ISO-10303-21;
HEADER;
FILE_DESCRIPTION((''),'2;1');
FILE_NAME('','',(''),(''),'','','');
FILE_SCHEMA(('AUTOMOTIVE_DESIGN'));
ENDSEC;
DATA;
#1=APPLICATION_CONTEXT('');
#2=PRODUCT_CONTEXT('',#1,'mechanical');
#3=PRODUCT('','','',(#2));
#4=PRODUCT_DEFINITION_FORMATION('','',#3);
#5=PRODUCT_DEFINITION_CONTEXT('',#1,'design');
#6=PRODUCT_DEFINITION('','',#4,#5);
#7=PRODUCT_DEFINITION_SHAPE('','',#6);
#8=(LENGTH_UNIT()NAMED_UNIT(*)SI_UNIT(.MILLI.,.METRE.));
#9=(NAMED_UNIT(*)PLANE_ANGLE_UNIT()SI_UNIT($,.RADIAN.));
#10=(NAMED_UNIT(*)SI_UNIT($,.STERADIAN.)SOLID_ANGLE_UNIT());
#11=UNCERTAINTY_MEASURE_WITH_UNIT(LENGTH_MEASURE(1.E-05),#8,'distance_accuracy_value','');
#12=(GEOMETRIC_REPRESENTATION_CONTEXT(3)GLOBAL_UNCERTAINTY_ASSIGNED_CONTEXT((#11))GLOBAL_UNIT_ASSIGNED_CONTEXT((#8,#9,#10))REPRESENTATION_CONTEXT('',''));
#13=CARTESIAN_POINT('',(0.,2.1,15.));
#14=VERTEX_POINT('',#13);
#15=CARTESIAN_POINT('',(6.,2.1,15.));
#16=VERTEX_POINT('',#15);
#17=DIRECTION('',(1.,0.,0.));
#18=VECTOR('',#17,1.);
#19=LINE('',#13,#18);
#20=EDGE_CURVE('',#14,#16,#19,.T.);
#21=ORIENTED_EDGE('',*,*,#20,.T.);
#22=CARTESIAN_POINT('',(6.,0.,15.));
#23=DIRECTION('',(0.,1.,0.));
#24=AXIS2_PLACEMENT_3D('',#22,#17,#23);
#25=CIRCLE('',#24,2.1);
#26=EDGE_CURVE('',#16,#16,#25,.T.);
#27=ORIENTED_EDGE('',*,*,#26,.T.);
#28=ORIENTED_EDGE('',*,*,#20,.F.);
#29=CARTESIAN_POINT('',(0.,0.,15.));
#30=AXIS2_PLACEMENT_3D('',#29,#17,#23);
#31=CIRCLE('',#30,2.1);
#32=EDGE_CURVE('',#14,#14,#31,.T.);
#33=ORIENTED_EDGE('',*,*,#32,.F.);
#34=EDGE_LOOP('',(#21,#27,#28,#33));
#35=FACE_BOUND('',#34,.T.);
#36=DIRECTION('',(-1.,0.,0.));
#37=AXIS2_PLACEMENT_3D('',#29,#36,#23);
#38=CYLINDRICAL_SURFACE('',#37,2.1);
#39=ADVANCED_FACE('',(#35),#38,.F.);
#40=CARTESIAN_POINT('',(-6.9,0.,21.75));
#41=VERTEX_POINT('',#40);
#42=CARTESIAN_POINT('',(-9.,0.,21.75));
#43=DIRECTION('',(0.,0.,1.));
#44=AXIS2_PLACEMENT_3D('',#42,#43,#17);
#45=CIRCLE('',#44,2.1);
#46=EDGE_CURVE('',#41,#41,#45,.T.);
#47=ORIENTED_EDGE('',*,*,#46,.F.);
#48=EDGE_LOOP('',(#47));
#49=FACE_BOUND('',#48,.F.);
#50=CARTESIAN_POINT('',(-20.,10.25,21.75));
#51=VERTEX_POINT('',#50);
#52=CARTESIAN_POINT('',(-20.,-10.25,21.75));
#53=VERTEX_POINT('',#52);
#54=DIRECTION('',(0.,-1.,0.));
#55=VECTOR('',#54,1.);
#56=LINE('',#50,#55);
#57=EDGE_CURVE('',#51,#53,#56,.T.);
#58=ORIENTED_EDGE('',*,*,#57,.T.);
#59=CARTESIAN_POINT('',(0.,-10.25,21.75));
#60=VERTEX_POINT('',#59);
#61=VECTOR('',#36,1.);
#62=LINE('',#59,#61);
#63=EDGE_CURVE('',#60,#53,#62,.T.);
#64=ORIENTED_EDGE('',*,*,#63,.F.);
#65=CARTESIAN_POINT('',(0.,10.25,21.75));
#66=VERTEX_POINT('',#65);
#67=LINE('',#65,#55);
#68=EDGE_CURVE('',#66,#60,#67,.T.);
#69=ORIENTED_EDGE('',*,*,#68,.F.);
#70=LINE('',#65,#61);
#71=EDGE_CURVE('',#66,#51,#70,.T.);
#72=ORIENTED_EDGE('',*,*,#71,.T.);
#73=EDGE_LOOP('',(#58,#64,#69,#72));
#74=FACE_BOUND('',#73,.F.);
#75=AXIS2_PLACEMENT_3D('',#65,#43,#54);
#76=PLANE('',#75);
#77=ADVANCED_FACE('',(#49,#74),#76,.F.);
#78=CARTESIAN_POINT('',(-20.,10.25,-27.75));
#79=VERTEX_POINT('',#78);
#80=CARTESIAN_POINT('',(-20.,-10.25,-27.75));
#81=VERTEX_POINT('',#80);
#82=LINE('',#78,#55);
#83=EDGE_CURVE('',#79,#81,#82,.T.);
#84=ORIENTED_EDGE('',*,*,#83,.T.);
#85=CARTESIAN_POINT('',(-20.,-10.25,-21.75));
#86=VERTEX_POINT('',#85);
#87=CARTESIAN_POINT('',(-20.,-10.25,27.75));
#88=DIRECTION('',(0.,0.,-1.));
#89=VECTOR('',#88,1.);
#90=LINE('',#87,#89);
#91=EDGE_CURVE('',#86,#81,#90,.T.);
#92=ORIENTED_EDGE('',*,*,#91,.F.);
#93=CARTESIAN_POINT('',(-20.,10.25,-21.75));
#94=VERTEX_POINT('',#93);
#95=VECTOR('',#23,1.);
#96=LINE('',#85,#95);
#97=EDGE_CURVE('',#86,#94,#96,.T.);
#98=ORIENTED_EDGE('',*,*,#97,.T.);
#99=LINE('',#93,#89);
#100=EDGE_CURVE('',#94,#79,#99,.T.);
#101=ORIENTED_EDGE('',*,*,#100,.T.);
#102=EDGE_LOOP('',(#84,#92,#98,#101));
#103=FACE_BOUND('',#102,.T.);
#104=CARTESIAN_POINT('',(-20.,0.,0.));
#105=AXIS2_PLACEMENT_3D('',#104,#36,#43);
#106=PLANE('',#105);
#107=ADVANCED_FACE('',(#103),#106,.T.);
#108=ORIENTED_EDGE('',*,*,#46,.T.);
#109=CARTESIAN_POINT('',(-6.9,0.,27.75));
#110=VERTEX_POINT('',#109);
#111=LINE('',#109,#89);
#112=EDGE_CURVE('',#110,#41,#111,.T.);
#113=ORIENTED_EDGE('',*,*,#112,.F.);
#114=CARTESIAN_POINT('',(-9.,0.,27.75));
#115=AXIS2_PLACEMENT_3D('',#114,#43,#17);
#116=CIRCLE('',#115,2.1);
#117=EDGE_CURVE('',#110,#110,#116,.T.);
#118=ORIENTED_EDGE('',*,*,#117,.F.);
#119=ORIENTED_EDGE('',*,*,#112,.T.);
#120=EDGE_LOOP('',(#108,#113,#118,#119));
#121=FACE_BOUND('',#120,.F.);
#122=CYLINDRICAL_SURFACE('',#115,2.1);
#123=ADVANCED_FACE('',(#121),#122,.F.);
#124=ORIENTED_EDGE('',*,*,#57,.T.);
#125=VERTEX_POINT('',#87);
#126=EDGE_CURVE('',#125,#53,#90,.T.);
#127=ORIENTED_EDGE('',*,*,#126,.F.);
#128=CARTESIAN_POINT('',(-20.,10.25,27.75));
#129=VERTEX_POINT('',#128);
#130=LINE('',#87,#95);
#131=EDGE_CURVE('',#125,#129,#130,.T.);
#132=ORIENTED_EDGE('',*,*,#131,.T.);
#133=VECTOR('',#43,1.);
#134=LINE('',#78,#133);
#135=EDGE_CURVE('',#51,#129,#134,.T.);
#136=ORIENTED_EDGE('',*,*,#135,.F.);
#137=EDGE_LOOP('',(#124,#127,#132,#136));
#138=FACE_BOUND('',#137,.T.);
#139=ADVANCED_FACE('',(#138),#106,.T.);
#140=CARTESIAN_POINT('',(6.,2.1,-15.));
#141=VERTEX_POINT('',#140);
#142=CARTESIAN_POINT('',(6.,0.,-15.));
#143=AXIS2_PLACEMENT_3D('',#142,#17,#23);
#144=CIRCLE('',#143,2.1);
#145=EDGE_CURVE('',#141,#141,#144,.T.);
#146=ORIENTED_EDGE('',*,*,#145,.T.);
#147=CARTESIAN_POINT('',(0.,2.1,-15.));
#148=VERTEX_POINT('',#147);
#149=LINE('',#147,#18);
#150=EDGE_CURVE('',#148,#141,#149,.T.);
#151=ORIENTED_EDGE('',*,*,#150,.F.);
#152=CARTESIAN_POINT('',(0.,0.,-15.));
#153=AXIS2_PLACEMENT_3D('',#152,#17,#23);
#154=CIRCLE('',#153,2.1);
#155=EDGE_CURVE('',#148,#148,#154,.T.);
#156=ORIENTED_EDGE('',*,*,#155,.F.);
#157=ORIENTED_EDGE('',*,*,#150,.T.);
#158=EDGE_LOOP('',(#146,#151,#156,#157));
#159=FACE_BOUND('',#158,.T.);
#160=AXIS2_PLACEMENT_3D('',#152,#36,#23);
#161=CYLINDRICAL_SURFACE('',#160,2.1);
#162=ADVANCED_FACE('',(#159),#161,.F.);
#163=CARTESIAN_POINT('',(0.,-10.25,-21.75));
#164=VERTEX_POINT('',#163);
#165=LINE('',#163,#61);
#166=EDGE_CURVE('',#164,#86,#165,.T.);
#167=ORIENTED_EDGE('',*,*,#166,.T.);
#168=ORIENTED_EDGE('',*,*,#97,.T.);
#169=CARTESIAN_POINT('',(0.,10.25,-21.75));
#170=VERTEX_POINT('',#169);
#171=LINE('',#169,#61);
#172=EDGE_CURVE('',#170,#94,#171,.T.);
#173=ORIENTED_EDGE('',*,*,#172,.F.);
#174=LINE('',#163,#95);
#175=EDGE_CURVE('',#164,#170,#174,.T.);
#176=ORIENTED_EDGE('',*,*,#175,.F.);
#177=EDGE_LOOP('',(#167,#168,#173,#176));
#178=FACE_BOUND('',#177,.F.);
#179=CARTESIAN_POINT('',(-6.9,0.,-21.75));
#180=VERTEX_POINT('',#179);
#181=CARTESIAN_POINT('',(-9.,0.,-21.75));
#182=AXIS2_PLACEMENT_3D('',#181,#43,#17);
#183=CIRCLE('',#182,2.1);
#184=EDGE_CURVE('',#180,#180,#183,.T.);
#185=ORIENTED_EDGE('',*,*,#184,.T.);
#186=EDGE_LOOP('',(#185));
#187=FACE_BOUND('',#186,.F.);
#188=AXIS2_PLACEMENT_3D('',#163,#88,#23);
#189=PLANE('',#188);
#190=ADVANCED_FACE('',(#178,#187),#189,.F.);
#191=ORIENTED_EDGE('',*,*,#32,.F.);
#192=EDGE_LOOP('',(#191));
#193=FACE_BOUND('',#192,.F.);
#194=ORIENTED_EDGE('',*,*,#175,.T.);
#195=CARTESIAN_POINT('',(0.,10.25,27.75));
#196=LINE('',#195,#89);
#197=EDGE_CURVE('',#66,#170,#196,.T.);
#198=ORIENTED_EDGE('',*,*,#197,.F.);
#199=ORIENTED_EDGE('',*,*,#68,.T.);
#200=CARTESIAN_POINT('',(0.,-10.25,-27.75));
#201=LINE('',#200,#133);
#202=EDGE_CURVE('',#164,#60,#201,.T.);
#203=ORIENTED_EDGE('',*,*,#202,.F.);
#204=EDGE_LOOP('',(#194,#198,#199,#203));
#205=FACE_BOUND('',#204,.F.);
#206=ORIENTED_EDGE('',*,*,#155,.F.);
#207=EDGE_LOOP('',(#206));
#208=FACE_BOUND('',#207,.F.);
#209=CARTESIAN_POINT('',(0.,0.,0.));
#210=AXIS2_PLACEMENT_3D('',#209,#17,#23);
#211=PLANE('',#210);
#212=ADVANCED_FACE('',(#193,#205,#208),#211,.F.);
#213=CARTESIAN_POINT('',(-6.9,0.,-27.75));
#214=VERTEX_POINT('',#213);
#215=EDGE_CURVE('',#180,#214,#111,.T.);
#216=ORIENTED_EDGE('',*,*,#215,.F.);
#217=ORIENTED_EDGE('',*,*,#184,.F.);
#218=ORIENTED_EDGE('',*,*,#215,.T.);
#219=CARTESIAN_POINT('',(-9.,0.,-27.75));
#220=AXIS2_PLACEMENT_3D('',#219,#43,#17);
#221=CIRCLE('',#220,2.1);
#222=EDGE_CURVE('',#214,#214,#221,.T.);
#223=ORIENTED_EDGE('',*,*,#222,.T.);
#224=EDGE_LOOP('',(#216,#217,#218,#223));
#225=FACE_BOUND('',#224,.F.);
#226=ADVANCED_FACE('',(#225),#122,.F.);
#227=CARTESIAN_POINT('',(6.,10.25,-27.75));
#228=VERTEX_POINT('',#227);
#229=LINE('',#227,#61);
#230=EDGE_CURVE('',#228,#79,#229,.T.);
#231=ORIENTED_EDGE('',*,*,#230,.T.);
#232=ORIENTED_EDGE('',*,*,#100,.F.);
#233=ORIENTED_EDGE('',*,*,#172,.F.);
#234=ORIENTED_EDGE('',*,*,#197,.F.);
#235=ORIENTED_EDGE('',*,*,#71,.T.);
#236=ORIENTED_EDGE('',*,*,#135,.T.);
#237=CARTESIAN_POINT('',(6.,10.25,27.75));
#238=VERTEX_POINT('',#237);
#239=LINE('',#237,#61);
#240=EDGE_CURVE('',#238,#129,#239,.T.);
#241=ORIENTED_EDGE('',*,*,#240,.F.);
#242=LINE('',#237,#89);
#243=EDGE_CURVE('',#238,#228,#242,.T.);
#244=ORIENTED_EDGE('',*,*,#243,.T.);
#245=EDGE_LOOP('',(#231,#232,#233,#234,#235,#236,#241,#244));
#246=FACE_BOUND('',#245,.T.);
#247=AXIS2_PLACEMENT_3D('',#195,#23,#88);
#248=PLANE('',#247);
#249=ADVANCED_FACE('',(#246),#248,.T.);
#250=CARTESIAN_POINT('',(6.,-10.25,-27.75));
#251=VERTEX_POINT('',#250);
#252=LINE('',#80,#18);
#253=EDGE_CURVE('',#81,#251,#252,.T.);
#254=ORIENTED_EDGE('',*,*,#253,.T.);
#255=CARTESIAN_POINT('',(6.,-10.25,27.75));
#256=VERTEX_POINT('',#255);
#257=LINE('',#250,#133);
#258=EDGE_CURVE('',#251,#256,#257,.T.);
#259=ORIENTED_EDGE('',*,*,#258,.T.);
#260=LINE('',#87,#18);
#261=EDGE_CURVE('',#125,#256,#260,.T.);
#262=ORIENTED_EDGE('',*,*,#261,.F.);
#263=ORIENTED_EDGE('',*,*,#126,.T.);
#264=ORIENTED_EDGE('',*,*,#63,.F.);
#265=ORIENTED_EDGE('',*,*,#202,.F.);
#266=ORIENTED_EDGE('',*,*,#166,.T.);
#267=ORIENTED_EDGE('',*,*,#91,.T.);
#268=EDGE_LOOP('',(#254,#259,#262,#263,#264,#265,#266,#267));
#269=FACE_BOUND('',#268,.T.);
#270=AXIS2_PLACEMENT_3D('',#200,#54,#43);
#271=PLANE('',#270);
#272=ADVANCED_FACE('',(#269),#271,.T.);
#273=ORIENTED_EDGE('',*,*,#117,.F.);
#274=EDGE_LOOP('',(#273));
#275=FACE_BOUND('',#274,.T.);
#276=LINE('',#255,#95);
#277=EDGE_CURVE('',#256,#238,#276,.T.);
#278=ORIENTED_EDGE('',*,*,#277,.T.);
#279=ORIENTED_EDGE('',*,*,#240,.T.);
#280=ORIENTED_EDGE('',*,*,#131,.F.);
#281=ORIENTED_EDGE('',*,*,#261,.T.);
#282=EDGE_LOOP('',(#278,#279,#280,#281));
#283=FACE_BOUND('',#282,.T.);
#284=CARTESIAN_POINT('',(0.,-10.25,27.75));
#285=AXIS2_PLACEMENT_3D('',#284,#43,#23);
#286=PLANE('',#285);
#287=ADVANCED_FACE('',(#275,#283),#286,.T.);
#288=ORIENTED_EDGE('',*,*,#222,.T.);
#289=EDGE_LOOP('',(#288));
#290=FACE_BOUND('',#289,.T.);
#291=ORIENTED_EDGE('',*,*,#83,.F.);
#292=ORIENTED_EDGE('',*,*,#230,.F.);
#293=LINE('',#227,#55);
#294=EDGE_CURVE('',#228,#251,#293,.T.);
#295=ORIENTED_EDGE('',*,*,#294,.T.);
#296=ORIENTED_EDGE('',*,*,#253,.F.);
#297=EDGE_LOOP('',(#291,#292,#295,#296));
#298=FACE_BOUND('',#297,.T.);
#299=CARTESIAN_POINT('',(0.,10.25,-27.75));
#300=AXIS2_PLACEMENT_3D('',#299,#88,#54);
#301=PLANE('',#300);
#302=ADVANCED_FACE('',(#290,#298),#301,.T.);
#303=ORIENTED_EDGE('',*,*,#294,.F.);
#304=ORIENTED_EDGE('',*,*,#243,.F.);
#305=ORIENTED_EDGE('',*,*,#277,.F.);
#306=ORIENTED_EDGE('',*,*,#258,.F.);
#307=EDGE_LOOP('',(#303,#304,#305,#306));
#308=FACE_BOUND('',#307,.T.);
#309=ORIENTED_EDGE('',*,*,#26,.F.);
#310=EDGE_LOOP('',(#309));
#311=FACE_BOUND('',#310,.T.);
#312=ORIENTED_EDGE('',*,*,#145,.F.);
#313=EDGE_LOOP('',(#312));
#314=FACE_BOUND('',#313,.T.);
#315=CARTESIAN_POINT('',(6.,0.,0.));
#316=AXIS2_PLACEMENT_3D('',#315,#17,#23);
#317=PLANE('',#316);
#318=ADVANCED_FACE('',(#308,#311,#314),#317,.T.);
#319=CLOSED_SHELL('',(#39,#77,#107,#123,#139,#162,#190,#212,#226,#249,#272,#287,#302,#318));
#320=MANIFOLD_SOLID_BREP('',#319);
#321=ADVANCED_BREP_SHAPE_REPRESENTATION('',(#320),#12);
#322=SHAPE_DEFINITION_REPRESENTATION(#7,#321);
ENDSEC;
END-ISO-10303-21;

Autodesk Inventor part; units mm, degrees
ref_plane "YZ Plane" through (0, 0, 0) normal (1, 0, 0) x (0, 1, 0)
ref_plane "XZ Plane" through (0, 0, 0) normal (0, 1, 0) x (-1, 0, 0)
ref_plane "XY Plane" through (0, 0, 0) normal (0, 0, 1) x (1, 0, 0)
sketch "Sketch1" plane through (0, 0, 0) normal (1, 0, 0) x (0, 1, 0)
  line L0 (-10.25, 27.75) -> (10.25, 27.75)
  line L1 (10.25, 27.75) -> (10.25, -27.75)
  line L2 (10.25, -27.75) -> (-10.25, -27.75)
  line L3 (-10.25, -27.75) -> (-10.25, 27.75)
  line L4 (-10.25, 27.75) -> (10.25, -27.75) construction
  line L5 (10.25, 27.75) -> (-10.25, -27.75) construction
  circle A0 centre (0, 15) radius 2.1
  circle A1 centre (0, -15) radius 2.1
  point P0 (0, 0)
  dimension "d0" = 20.5
  dimension "d1" = 55.5
  dimension "d2" = 4.2
  dimension "d3" = 4.2
  dimension "d4" = 30
  dimension "d5" = 10.25
  dimension "d6" = 12.75
  dimension "d7" = 10.25
extrude "Extrusion1" add sketch "Sketch1" along normal blind 6
sketch "Sketch2" plane through (0, 0, 0) normal (-1, 0, 0) x (0, 0, 1)
  line L0 (27.75, -10.25) -> (-27.75, -10.25) projected
  line L1 (-27.75, -10.25) -> (-21.75, -10.25)
  line L2 (-21.75, -10.25) -> (-21.75, 10.25)
  line L3 (-21.75, 10.25) -> (-27.75, 10.25)
  line L4 (-27.75, 10.25) -> (-27.75, -10.25)
  line L5 (-27.75, 10.25) -> (27.75, 10.25) projected
  line L6 (27.75, 10.25) -> (21.75, 10.25)
  line L7 (21.75, 10.25) -> (21.75, -10.25)
  line L8 (21.75, -10.25) -> (27.75, -10.25)
  line L9 (27.75, -10.25) -> (27.75, 10.25)
  point P0 (0, 0)
  dimension "d10" = 6
  dimension "d11" = 20.5
  dimension "d12" = 6
  dimension "d13" = 20.5
extrude "Extrusion2" add sketch "Sketch2" along normal blind 20 contours L0 L7 L5 L9 | L0 L4 L3 L2
sketch "Sketch3" plane through (6, -10.25, 27.75) normal (0, 0, 1) x (1, 0, 0)
  circle A0 centre (-15, 10.25) radius 2.1
  line L0 (0, 20.5) -> (0, 0) projected
  line L1 (-26, 0) -> (0, 0) projected
  point P0 (-6, 10.25)
  dimension "d16" = 4.2
  dimension "d17" = 15
  dimension "d18" = 10.25
extrude "Extrusion3" cut sketch "Sketch3" against normal blind 56.5125
properties part number "Bracket Sides" material "Aluminum 6061"
